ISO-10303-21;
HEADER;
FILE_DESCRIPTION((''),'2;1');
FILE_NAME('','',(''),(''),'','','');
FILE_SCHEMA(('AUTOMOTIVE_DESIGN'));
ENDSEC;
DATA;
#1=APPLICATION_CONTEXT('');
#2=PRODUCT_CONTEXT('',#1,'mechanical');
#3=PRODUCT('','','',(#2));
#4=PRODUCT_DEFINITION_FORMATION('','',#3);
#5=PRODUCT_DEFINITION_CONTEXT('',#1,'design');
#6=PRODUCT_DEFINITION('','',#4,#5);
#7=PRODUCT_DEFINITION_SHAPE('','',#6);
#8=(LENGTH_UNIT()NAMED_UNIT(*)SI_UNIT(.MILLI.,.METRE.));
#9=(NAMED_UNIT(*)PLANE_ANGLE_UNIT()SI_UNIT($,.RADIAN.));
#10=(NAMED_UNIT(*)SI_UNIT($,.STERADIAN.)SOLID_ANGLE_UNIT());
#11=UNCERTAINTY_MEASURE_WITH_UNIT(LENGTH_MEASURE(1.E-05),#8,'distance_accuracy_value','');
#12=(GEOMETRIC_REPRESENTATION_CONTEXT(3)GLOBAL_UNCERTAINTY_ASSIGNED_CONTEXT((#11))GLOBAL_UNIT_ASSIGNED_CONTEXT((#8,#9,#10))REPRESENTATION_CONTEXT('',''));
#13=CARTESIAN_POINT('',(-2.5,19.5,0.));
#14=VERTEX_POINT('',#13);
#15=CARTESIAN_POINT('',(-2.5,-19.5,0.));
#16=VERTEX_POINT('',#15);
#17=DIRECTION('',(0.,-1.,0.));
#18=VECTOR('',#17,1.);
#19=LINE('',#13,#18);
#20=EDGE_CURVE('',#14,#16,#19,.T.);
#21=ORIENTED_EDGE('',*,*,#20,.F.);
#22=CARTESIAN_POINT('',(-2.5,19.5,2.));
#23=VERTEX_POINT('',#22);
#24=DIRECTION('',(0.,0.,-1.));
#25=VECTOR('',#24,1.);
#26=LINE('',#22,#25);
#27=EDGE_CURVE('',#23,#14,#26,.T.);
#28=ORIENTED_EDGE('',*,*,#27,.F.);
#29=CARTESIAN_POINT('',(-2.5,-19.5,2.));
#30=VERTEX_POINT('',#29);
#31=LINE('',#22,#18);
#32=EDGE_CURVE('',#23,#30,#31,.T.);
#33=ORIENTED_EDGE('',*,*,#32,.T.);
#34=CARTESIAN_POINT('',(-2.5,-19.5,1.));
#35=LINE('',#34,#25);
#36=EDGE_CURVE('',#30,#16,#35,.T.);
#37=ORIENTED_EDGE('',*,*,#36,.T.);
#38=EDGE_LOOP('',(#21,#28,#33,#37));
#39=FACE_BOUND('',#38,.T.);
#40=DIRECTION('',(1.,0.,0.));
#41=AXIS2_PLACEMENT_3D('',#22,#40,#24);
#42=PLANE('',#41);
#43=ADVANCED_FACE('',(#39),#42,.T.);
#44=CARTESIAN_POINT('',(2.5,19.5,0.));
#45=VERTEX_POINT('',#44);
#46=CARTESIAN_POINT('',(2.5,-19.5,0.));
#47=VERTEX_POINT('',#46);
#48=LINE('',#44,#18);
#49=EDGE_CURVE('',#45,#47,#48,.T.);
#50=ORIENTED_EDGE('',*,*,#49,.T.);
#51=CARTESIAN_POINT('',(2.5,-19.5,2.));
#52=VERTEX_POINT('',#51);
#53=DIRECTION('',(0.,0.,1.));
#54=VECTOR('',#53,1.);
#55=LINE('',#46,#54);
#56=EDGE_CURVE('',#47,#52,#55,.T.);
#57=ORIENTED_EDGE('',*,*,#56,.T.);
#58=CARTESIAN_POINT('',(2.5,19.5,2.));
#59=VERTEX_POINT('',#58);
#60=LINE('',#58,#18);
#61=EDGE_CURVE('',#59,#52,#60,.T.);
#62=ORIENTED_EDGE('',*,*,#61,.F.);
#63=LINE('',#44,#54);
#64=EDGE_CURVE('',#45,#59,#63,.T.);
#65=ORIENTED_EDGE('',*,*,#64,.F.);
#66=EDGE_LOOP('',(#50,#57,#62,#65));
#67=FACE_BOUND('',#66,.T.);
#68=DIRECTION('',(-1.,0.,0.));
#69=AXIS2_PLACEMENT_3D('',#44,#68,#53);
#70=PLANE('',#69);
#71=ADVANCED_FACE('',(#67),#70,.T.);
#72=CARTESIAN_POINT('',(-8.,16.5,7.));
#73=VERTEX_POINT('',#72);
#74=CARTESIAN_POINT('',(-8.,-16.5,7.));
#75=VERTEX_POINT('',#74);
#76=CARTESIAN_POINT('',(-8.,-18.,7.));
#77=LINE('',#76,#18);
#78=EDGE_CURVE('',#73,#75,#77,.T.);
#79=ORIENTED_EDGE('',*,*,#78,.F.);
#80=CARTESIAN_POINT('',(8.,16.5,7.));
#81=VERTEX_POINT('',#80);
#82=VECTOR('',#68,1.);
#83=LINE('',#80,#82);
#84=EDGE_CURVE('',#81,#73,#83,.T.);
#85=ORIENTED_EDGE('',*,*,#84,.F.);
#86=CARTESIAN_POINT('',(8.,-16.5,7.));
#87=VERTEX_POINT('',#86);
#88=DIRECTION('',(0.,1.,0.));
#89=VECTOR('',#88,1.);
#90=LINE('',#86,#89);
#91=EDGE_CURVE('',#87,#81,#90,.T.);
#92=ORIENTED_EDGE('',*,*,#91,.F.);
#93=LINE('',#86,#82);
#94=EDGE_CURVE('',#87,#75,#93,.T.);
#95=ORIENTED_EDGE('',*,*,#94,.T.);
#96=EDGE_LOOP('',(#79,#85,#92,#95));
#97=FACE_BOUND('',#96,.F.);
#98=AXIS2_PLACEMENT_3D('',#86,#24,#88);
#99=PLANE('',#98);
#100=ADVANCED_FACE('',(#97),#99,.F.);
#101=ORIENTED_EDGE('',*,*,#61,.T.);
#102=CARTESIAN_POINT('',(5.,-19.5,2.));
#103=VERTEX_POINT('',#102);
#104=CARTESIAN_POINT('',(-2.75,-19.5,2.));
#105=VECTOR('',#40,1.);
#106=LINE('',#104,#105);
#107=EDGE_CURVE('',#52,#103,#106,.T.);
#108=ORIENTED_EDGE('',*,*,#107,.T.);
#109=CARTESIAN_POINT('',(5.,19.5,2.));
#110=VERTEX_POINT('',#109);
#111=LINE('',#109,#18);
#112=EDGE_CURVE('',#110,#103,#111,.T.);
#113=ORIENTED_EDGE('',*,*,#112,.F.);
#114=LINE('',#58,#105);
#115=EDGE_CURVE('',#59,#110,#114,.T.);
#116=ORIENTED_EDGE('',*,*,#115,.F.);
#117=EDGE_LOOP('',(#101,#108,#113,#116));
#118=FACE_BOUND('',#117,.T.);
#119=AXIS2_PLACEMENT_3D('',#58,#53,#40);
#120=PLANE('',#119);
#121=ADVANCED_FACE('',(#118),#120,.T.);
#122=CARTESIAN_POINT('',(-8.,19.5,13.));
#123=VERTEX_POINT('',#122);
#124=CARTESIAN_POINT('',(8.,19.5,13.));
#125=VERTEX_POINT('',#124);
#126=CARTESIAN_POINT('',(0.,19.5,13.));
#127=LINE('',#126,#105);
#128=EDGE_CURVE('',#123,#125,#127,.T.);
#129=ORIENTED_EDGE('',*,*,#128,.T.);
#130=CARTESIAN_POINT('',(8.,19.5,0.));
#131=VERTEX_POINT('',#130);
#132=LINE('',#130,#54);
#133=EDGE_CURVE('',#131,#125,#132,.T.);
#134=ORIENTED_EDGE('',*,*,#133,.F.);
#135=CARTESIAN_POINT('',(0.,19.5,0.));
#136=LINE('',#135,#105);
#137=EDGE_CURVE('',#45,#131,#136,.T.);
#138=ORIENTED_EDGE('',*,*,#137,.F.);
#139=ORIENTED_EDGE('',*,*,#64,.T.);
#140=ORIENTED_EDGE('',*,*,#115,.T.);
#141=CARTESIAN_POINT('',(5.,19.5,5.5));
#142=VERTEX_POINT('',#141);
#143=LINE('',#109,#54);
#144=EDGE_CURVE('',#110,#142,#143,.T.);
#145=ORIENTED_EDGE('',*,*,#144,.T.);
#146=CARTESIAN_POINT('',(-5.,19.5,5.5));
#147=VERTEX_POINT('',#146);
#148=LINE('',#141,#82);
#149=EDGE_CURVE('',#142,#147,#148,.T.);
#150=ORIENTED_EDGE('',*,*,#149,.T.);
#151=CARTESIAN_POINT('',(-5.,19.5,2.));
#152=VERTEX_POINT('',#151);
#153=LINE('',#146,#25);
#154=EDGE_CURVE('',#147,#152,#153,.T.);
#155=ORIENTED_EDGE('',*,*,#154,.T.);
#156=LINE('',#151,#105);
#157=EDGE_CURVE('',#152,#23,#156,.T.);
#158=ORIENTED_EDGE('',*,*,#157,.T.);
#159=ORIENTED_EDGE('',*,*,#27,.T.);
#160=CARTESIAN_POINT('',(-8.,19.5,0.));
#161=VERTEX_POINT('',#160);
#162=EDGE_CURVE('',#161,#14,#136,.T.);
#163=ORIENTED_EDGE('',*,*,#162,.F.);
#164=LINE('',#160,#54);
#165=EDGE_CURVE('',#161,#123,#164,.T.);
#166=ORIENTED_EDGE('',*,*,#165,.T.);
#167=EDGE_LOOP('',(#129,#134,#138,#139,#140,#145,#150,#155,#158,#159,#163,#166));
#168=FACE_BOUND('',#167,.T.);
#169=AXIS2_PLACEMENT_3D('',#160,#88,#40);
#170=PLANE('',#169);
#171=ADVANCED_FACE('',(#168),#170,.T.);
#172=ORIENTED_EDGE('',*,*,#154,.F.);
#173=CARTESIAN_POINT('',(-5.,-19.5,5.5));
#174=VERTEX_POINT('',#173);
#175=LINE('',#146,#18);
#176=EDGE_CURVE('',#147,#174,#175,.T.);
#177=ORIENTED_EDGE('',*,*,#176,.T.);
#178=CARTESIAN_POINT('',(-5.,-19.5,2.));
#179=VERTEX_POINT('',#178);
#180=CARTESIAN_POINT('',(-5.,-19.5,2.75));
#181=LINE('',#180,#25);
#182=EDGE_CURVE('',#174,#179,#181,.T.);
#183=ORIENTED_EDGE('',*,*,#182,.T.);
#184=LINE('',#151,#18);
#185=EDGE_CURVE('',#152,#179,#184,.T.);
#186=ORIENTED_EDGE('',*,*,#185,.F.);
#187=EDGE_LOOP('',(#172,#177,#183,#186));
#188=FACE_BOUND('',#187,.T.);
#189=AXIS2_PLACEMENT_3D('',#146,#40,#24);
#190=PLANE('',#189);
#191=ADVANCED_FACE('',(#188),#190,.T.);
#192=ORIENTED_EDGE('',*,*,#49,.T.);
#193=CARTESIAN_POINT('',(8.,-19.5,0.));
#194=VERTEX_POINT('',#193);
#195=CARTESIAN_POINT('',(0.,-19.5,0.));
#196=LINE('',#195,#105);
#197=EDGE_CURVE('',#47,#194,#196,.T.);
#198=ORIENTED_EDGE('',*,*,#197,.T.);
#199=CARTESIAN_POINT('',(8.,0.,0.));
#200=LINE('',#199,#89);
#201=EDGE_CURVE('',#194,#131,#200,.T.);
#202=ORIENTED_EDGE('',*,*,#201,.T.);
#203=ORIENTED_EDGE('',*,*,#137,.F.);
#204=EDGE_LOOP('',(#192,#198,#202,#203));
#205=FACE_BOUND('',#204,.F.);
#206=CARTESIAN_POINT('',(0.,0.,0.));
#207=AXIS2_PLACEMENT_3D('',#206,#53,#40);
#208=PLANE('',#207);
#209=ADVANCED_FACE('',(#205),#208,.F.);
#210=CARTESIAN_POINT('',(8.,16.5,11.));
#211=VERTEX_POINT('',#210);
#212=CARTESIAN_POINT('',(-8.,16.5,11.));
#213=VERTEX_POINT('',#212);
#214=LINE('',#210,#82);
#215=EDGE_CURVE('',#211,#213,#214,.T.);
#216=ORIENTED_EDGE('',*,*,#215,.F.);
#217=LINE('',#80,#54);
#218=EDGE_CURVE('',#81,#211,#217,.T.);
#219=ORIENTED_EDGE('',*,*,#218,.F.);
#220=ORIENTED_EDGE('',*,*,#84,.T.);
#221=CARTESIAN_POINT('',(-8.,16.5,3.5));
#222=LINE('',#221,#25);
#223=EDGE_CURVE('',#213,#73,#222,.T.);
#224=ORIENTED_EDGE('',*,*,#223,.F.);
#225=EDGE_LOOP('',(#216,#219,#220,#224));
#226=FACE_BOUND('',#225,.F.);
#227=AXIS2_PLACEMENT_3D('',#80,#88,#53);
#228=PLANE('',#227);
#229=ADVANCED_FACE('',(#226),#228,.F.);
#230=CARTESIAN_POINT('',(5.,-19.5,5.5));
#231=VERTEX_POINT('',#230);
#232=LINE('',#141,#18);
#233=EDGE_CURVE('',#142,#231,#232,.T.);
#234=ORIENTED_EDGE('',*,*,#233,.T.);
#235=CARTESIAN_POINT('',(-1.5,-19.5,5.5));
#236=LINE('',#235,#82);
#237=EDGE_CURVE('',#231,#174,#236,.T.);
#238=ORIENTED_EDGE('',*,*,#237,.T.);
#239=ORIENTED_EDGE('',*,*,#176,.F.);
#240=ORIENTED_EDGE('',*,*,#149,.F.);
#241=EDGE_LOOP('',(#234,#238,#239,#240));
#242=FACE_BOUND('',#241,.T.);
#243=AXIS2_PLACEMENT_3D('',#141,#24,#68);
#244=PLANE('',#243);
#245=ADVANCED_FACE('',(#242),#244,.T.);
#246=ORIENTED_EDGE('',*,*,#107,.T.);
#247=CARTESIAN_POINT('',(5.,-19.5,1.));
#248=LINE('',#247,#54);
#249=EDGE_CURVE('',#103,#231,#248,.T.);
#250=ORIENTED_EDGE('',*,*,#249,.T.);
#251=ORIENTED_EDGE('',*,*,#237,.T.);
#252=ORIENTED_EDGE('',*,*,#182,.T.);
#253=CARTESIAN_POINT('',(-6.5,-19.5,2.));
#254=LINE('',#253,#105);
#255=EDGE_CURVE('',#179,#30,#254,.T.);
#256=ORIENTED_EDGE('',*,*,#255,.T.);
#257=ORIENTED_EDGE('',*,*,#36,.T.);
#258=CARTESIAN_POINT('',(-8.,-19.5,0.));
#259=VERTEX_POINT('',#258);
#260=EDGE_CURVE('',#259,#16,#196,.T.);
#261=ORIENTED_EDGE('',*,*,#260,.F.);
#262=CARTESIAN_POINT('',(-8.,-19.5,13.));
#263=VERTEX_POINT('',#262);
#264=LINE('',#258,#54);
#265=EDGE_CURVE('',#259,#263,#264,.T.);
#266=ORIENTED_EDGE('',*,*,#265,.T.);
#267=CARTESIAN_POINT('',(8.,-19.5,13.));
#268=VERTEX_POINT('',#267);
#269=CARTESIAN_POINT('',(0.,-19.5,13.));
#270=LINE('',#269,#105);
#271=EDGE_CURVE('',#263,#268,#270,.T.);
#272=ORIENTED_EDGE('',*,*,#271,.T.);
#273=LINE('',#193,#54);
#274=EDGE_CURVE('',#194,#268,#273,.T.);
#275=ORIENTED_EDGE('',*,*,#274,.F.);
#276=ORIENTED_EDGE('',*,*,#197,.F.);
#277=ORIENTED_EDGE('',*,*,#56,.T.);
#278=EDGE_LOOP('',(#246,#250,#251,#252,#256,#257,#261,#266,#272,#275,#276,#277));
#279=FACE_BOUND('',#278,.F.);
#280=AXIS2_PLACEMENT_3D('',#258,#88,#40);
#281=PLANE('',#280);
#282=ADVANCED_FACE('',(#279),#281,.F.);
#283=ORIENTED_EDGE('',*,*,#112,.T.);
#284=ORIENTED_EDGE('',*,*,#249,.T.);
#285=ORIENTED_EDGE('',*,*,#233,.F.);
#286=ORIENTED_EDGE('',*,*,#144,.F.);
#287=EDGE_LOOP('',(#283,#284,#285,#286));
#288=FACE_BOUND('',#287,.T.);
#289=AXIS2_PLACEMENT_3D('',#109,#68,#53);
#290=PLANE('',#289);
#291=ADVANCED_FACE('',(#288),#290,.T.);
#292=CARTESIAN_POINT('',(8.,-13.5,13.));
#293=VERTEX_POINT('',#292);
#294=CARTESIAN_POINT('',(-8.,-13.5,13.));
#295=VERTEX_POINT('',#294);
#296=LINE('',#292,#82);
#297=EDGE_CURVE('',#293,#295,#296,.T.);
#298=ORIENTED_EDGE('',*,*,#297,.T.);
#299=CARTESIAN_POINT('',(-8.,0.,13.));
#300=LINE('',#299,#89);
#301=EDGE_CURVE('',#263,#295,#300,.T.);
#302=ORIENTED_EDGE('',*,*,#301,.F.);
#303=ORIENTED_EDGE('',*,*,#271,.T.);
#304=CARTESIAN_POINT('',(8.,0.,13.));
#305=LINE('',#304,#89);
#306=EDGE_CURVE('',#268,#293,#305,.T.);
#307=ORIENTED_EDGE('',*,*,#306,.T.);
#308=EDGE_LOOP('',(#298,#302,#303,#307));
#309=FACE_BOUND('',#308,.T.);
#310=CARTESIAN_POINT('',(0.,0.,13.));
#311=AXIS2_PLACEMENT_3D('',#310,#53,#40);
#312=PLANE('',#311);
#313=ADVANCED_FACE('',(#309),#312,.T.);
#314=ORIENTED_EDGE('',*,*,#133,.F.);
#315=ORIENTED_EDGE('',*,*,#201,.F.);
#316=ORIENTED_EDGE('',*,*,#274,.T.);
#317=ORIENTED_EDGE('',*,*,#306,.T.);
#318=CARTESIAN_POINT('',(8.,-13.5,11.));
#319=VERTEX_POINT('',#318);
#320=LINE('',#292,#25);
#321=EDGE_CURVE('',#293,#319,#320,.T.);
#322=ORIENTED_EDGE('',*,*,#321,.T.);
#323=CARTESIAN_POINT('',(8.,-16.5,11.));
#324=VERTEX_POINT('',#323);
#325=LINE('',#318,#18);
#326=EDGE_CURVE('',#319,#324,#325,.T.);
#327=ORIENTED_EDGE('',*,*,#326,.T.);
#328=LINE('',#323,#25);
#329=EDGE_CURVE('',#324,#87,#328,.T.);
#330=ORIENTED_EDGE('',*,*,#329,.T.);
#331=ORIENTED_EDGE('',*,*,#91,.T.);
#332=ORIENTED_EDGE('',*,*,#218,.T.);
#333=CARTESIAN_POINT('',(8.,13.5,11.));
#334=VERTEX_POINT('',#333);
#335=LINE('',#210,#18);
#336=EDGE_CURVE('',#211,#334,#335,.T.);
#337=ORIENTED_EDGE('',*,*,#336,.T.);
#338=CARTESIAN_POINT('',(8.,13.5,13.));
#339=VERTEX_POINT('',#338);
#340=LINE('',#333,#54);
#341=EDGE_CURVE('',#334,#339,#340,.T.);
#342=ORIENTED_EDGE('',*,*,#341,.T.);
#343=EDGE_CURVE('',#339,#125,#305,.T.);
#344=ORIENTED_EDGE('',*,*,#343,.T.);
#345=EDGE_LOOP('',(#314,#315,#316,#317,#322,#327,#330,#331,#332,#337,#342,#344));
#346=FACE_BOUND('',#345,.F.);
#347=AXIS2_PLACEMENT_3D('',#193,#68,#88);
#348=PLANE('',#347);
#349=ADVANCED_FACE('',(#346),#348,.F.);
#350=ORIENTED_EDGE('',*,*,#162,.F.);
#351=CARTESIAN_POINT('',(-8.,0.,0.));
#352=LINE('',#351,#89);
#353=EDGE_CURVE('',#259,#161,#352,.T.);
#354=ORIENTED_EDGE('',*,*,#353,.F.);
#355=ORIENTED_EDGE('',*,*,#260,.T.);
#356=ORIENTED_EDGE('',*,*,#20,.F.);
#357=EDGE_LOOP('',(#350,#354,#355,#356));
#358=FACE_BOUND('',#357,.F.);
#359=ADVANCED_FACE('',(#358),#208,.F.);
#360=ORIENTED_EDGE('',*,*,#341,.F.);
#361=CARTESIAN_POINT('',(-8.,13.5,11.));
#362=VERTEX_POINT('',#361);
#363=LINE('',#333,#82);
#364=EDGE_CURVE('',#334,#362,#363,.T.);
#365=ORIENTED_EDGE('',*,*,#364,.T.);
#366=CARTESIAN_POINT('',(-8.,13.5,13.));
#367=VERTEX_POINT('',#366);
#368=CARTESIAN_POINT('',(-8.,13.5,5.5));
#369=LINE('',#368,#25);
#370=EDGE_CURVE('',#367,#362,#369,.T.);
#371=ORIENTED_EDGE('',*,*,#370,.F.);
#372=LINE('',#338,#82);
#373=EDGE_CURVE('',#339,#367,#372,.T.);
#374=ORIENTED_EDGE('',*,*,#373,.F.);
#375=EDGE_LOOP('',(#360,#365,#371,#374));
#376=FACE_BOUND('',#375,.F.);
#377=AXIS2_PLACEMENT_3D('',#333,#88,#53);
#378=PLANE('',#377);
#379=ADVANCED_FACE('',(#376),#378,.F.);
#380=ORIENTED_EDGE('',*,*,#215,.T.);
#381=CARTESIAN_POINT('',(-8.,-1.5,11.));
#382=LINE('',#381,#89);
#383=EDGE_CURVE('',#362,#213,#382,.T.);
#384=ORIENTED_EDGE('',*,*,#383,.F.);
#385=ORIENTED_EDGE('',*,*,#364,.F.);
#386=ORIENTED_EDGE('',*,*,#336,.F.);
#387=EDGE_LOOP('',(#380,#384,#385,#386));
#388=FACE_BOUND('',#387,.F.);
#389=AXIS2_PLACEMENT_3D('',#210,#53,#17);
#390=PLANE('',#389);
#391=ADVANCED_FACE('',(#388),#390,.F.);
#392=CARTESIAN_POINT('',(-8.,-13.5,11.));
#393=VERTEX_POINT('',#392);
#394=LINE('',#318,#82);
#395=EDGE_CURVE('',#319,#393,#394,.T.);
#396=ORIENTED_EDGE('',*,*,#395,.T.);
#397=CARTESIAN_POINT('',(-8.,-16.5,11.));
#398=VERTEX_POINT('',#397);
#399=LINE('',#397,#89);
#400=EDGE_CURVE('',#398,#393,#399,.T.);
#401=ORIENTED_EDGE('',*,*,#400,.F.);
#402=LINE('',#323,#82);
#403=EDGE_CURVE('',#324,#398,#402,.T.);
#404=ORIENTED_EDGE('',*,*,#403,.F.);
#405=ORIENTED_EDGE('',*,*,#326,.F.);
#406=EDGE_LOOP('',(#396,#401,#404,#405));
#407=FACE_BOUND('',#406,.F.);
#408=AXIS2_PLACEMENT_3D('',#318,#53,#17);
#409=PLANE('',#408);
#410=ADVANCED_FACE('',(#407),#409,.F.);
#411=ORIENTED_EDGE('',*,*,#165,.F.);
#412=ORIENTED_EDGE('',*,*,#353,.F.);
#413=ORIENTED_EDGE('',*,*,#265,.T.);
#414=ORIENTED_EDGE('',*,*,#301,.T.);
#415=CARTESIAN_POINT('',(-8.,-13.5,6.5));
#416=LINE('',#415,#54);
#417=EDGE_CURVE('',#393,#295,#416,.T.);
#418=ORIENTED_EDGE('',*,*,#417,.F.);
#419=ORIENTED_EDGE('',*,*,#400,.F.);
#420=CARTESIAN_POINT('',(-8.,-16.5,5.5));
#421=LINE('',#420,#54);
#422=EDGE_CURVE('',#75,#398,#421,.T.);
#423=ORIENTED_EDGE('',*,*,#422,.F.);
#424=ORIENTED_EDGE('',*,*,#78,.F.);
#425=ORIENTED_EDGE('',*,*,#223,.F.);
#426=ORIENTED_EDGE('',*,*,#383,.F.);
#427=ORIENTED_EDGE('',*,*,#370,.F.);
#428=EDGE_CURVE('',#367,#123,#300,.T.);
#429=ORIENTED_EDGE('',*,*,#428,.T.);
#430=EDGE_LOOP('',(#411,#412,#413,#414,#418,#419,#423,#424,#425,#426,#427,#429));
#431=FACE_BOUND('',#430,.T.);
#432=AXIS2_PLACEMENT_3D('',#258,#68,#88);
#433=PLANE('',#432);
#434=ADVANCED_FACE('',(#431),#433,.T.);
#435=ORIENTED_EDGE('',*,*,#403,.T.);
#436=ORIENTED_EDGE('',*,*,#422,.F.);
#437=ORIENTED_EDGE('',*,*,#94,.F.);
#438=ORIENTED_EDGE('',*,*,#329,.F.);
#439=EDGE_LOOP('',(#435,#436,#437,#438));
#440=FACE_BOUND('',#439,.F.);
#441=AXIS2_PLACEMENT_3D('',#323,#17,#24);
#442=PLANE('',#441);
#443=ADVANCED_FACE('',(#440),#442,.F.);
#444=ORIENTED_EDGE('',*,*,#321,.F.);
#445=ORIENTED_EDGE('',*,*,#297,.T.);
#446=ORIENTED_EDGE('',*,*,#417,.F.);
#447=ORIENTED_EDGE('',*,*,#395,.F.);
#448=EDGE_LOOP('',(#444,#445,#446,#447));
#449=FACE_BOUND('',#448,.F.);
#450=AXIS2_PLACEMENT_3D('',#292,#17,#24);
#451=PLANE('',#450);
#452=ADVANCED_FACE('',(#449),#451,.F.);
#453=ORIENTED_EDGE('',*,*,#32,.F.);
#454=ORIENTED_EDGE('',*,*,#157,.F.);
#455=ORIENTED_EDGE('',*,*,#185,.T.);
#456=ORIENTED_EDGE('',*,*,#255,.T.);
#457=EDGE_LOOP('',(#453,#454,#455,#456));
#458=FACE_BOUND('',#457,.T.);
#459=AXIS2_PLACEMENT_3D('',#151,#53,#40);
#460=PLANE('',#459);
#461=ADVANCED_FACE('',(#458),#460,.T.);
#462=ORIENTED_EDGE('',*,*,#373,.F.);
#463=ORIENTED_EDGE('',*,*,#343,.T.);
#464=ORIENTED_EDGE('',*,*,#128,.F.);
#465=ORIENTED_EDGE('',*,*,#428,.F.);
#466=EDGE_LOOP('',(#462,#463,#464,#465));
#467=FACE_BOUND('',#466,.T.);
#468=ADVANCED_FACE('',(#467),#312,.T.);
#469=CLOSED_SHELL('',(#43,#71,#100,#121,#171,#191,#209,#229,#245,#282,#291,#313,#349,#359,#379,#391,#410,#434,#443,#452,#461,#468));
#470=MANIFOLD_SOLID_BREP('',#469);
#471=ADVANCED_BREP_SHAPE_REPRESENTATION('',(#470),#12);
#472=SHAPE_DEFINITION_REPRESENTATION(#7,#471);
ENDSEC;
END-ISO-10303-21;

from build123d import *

# Parameters (mm, degrees)
SKETCH_W        = 16
SKETCH_H        = 39
PAD_DEPTH       = 13
POCKET_DEPTH    = 39.001
POCKET001_DEPTH = 16.001


with BuildPart() as part:
    # Sketch → Pad (new body)
    with BuildSketch(Plane.XY):
        Rectangle(SKETCH_W, SKETCH_H)
    extrude(amount=PAD_DEPTH)

    # Sketch001 (on Face1 of Pad) → Pocket (cut, through all)
    with BuildSketch(Plane(origin=(0, 19.5, 0), x_dir=(-1, 0, 0), z_dir=(0, 1, 0))):
        Polygon((-5, 5.5), (5, 5.5), (5, 2), (2.5, 2), (2.5, 0), (-2.5, 0), (-2.5, 2), (-5, 2), align=None)
    extrude(amount=-POCKET_DEPTH, mode=Mode.SUBTRACT)

    # Sketch002 (on Face11 of Pocket) → Pocket001 (cut, through all)
    with BuildSketch(Plane.YZ.offset(8)):
        Polygon((-13.5, 13), (-13.5, 11), (-16.5, 11), (-16.5, 7), (16.5, 7), (16.5, 11), (13.5, 11), (13.5, 13), align=None)
    extrude(amount=-POCKET001_DEPTH, mode=Mode.SUBTRACT)


solid = part.part
